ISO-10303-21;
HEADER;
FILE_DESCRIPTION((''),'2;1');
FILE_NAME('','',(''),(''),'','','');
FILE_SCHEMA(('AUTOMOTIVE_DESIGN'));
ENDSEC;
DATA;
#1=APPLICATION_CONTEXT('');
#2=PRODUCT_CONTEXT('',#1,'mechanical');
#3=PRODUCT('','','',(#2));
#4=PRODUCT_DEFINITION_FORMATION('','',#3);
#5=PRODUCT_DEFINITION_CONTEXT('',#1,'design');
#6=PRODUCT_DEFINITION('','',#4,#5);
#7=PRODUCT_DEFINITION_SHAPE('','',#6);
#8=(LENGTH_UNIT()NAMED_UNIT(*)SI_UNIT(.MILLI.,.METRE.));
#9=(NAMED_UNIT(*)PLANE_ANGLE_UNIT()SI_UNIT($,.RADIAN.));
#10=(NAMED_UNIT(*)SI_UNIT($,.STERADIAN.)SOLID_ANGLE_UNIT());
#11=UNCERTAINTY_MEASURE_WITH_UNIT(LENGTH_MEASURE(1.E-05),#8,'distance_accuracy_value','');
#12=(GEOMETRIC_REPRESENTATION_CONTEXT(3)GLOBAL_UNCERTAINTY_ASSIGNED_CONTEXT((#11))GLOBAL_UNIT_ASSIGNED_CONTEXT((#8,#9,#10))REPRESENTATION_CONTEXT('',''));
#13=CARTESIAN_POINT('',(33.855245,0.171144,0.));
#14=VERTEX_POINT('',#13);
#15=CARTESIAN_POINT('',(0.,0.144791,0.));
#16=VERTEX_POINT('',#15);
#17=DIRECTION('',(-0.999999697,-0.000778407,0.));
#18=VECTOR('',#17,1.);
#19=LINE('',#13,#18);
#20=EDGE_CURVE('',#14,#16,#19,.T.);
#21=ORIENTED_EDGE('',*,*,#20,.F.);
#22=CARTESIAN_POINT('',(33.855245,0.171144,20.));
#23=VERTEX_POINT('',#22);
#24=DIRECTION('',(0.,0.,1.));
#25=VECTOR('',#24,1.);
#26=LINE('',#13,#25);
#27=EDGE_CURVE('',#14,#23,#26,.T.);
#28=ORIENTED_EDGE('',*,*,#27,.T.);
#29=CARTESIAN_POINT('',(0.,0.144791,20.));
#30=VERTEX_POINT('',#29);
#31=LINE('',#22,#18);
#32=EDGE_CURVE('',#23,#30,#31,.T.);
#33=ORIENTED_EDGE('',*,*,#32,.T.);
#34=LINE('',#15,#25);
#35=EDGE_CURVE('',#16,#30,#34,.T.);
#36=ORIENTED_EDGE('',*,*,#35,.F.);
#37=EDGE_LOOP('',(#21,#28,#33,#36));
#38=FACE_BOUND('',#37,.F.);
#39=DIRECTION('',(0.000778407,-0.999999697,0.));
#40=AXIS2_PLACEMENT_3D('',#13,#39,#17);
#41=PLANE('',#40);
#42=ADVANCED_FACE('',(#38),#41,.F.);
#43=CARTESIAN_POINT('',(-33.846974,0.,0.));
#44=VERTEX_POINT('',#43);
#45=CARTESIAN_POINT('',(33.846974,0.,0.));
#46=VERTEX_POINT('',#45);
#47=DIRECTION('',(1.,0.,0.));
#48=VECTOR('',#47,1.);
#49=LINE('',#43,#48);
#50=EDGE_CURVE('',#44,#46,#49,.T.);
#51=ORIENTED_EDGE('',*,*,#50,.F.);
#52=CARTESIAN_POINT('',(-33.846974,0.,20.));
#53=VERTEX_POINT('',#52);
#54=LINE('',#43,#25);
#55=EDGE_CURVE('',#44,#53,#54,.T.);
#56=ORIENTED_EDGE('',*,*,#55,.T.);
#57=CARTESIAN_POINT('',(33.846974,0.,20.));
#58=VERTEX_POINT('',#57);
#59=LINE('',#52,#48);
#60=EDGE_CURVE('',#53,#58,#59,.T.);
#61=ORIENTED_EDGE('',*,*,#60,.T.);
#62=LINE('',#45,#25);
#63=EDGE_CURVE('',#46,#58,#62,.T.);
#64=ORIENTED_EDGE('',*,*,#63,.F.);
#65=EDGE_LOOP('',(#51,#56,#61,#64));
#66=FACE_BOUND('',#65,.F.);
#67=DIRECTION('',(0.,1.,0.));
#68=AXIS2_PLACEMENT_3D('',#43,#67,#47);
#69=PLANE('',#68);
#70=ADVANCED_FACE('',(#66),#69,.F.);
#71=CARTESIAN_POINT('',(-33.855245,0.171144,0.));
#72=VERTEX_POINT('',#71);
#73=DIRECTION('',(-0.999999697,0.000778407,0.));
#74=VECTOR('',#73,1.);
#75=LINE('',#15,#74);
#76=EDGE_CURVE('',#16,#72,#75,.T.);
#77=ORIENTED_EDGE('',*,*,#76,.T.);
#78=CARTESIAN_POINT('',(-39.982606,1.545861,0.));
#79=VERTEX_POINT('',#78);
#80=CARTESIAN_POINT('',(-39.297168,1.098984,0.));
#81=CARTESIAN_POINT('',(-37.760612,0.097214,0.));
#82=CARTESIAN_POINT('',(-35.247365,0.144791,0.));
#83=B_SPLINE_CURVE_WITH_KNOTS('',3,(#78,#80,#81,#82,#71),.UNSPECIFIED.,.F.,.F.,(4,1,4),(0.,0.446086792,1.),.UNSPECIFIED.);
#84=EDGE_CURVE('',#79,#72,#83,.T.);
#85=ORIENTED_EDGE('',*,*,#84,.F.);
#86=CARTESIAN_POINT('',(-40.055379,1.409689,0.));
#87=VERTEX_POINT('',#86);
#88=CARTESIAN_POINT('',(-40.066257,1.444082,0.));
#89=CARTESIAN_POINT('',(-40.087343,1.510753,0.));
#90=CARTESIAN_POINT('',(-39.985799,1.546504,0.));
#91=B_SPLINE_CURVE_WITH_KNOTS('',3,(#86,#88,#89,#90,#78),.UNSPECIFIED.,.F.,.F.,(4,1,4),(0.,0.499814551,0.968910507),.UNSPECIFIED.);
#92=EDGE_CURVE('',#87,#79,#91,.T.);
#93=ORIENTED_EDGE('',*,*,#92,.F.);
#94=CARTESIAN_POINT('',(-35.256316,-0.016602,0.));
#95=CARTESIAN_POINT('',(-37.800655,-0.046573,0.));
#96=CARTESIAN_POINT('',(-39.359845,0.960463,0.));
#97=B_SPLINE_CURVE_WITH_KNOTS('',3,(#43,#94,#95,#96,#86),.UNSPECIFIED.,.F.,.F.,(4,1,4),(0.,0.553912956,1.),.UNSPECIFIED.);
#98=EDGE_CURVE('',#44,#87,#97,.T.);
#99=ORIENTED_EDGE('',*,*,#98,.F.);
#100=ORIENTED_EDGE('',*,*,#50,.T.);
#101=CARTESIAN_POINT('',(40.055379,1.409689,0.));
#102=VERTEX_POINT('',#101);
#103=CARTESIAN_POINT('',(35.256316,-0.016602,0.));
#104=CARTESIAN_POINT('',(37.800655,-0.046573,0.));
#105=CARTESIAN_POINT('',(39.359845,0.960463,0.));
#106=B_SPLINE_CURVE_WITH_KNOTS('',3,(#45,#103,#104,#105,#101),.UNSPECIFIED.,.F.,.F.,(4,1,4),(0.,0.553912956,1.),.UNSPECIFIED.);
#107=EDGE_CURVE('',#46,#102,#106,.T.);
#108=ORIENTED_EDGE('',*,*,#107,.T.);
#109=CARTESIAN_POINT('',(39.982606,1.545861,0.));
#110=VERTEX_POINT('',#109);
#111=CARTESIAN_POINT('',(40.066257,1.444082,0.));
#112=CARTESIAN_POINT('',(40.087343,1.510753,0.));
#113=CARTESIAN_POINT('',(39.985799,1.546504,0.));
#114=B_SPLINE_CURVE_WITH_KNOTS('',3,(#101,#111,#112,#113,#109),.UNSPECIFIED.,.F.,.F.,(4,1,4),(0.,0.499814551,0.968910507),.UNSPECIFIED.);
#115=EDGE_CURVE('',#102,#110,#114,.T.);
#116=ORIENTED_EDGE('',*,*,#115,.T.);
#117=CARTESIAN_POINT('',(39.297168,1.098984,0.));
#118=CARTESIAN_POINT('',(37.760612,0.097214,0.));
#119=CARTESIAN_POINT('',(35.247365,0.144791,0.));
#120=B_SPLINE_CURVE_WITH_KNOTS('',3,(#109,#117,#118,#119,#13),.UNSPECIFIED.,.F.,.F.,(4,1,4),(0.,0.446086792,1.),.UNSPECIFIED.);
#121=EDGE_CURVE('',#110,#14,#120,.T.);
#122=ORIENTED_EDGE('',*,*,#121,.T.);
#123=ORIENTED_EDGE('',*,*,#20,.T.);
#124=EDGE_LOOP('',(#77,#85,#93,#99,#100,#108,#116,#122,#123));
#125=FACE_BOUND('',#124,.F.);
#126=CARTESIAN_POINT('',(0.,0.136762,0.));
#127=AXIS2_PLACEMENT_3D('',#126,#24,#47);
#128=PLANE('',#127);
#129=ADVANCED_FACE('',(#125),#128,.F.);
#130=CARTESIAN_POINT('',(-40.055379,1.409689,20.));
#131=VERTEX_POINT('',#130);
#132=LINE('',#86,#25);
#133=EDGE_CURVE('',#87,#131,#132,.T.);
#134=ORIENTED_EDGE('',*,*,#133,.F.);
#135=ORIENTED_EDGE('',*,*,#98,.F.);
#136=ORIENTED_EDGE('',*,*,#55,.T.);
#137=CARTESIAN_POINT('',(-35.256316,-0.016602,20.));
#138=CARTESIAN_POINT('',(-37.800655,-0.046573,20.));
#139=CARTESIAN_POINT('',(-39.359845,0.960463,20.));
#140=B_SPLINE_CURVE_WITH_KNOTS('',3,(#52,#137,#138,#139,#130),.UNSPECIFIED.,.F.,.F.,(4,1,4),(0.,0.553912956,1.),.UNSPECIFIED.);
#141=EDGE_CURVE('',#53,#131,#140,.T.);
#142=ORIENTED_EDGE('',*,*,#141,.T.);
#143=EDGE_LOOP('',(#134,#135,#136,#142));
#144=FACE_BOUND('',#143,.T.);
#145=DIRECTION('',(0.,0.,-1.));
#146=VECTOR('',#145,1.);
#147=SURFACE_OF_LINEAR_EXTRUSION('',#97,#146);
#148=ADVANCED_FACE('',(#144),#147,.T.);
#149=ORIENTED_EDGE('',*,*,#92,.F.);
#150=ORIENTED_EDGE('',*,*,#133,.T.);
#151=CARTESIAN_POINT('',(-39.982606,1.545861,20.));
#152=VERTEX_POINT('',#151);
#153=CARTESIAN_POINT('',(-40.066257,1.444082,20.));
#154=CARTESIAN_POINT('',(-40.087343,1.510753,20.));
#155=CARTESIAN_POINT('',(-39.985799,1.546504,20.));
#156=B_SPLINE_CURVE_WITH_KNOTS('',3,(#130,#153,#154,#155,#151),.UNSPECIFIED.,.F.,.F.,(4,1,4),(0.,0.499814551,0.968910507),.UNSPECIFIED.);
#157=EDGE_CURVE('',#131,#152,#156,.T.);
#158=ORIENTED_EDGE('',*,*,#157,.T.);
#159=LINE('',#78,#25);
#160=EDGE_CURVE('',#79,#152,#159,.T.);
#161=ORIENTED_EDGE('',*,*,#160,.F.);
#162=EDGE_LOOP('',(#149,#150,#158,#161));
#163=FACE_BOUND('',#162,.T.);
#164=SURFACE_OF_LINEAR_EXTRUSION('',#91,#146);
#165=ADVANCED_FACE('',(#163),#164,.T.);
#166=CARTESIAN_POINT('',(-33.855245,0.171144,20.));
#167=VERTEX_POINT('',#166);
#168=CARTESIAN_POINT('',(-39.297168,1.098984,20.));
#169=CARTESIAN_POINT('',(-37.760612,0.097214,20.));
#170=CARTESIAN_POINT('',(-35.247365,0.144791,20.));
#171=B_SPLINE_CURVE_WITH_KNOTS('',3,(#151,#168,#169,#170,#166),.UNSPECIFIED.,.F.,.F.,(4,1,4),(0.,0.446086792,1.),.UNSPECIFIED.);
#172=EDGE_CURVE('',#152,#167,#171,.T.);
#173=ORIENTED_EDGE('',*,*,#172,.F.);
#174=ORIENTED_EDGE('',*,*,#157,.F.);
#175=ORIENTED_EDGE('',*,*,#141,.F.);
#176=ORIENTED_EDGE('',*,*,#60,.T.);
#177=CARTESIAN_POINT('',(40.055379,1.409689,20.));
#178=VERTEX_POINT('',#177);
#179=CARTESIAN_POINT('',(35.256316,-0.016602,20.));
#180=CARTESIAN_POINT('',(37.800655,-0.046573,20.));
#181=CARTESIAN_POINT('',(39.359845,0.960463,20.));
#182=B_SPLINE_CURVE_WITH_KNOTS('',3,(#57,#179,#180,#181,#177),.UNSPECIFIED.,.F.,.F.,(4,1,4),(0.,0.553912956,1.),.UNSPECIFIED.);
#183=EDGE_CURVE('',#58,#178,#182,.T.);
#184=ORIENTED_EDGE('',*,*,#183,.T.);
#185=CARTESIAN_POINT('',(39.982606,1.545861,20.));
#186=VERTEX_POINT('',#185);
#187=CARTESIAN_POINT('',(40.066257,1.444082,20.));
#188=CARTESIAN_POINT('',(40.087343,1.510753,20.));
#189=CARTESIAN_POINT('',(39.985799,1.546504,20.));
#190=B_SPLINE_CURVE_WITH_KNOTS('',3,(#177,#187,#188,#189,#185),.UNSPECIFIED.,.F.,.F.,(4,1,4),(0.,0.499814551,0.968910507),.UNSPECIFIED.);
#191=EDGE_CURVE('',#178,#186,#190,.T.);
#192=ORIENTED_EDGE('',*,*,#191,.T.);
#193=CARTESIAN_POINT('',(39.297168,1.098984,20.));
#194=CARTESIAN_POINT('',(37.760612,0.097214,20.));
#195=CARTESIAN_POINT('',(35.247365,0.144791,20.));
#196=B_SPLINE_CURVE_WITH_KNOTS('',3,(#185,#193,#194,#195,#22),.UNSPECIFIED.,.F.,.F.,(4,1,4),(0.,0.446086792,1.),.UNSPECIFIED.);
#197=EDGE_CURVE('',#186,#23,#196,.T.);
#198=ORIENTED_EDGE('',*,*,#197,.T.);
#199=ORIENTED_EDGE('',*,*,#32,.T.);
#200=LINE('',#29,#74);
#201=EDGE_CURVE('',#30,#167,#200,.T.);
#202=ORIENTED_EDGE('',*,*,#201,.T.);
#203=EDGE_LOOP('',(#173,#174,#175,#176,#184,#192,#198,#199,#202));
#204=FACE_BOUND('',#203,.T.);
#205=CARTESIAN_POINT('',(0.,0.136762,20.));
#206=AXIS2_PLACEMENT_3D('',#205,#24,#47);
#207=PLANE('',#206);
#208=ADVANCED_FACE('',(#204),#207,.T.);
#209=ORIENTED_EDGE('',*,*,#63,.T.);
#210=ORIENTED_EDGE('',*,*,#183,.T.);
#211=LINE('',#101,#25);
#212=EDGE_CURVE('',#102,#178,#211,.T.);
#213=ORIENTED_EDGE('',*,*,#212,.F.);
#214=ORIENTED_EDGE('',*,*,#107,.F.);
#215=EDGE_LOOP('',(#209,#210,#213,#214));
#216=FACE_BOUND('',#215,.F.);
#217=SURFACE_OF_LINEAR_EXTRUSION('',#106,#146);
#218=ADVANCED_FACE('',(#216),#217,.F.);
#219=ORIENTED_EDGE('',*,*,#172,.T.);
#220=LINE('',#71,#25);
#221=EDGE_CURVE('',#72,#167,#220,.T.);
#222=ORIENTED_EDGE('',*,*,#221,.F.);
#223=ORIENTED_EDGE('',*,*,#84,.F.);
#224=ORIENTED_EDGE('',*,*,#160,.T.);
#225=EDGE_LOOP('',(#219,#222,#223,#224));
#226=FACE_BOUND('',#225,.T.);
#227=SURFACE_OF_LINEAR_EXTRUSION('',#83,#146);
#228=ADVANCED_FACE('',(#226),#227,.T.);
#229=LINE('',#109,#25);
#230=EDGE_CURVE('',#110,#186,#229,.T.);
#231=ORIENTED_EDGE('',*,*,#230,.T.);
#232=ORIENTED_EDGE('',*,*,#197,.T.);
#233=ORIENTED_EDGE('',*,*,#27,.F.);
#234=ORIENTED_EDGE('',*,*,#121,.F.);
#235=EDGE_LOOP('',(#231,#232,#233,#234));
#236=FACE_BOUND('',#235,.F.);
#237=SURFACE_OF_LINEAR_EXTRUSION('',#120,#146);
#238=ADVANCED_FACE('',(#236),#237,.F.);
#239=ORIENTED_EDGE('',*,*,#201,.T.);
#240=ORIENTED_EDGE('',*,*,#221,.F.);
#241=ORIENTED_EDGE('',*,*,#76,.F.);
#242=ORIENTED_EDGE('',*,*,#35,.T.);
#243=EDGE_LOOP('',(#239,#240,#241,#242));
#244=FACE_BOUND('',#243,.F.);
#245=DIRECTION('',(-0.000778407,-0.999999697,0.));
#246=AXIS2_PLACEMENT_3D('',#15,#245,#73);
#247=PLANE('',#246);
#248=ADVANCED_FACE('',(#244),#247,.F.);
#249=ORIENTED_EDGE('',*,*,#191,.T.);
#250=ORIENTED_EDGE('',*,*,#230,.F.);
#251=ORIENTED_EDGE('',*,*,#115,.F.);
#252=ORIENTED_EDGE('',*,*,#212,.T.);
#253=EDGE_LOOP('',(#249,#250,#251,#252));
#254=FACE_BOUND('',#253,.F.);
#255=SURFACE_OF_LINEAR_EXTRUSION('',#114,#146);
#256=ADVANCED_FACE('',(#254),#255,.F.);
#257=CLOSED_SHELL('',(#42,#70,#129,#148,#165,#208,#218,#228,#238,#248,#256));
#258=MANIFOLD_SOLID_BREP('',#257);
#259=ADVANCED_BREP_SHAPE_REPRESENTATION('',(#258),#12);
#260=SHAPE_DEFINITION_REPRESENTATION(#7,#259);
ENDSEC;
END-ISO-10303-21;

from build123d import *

# Parameters (mm, degrees)
F1_DEPTH = 20


with BuildPart() as f1:
    # F0 (on Top) → F1 (new body)
    with BuildSketch(Plane.XY):
        with BuildLine():
            Line((-33.8469743729, 0), (0, 0))
            Line((0, 0), (33.8469743729, 0))
            add(Edge.make_bspline(
                [(33.8469743729, 0), (35.2563162969, -0.016601589), (37.800654552, -0.0465730651), (39.3598447328, 0.9604632347), (40.0553792715, 1.4096890809)],
                knots=[0, 0, 0, 0, 0.553912956, 1, 1, 1, 1], degree=3))
            add(Edge.make_bspline(
                [(40.0553792715, 1.4096890809), (40.066256821, 1.4440817661), (40.087343386, 1.5107533627), (39.985798501, 1.5465043143), (39.9826057255, 1.5458606649)],
                knots=[0, 0, 0, 0, 0.4998145507, 0.9689105066, 0.9689105066, 0.9689105066, 0.9689105066], degree=3))
            add(Edge.make_bspline(
                [(39.9826057255, 1.5458606649), (39.2971681349, 1.0989842657), (37.7606115643, 0.0972141893), (35.2473649905, 0.1447905481), (33.8552445173, 0.1711437217)],
                knots=[0, 0, 0, 0, 0.4460867916, 1, 1, 1, 1], degree=3))
            Line((33.8552445173, 0.1711437217), (0, 0.1447905481))
            Line((0, 0.1447905481), (-33.8552445173, 0.1711437217))
            add(Edge.make_bspline(
                [(-39.9826057255, 1.5458606649), (-39.2971681349, 1.0989842657), (-37.7606115643, 0.0972141893), (-35.2473649905, 0.1447905481), (-33.8552445173, 0.1711437217)],
                knots=[0, 0, 0, 0, 0.4460867916, 1, 1, 1, 1], degree=3))
            add(Edge.make_bspline(
                [(-40.0553792715, 1.4096890809), (-40.066256821, 1.4440817661), (-40.087343386, 1.5107533627), (-39.985798501, 1.5465043143), (-39.9826057255, 1.5458606649)],
                knots=[0, 0, 0, 0, 0.4998145507, 0.9689105066, 0.9689105066, 0.9689105066, 0.9689105066], degree=3))
            add(Edge.make_bspline(
                [(-33.8469743729, 0), (-35.2563162969, -0.016601589), (-37.800654552, -0.0465730651), (-39.3598447328, 0.9604632347), (-40.0553792715, 1.4096890809)],
                knots=[0, 0, 0, 0, 0.553912956, 1, 1, 1, 1], degree=3))
        make_face()
    extrude(amount=F1_DEPTH)


solid = f1.part
